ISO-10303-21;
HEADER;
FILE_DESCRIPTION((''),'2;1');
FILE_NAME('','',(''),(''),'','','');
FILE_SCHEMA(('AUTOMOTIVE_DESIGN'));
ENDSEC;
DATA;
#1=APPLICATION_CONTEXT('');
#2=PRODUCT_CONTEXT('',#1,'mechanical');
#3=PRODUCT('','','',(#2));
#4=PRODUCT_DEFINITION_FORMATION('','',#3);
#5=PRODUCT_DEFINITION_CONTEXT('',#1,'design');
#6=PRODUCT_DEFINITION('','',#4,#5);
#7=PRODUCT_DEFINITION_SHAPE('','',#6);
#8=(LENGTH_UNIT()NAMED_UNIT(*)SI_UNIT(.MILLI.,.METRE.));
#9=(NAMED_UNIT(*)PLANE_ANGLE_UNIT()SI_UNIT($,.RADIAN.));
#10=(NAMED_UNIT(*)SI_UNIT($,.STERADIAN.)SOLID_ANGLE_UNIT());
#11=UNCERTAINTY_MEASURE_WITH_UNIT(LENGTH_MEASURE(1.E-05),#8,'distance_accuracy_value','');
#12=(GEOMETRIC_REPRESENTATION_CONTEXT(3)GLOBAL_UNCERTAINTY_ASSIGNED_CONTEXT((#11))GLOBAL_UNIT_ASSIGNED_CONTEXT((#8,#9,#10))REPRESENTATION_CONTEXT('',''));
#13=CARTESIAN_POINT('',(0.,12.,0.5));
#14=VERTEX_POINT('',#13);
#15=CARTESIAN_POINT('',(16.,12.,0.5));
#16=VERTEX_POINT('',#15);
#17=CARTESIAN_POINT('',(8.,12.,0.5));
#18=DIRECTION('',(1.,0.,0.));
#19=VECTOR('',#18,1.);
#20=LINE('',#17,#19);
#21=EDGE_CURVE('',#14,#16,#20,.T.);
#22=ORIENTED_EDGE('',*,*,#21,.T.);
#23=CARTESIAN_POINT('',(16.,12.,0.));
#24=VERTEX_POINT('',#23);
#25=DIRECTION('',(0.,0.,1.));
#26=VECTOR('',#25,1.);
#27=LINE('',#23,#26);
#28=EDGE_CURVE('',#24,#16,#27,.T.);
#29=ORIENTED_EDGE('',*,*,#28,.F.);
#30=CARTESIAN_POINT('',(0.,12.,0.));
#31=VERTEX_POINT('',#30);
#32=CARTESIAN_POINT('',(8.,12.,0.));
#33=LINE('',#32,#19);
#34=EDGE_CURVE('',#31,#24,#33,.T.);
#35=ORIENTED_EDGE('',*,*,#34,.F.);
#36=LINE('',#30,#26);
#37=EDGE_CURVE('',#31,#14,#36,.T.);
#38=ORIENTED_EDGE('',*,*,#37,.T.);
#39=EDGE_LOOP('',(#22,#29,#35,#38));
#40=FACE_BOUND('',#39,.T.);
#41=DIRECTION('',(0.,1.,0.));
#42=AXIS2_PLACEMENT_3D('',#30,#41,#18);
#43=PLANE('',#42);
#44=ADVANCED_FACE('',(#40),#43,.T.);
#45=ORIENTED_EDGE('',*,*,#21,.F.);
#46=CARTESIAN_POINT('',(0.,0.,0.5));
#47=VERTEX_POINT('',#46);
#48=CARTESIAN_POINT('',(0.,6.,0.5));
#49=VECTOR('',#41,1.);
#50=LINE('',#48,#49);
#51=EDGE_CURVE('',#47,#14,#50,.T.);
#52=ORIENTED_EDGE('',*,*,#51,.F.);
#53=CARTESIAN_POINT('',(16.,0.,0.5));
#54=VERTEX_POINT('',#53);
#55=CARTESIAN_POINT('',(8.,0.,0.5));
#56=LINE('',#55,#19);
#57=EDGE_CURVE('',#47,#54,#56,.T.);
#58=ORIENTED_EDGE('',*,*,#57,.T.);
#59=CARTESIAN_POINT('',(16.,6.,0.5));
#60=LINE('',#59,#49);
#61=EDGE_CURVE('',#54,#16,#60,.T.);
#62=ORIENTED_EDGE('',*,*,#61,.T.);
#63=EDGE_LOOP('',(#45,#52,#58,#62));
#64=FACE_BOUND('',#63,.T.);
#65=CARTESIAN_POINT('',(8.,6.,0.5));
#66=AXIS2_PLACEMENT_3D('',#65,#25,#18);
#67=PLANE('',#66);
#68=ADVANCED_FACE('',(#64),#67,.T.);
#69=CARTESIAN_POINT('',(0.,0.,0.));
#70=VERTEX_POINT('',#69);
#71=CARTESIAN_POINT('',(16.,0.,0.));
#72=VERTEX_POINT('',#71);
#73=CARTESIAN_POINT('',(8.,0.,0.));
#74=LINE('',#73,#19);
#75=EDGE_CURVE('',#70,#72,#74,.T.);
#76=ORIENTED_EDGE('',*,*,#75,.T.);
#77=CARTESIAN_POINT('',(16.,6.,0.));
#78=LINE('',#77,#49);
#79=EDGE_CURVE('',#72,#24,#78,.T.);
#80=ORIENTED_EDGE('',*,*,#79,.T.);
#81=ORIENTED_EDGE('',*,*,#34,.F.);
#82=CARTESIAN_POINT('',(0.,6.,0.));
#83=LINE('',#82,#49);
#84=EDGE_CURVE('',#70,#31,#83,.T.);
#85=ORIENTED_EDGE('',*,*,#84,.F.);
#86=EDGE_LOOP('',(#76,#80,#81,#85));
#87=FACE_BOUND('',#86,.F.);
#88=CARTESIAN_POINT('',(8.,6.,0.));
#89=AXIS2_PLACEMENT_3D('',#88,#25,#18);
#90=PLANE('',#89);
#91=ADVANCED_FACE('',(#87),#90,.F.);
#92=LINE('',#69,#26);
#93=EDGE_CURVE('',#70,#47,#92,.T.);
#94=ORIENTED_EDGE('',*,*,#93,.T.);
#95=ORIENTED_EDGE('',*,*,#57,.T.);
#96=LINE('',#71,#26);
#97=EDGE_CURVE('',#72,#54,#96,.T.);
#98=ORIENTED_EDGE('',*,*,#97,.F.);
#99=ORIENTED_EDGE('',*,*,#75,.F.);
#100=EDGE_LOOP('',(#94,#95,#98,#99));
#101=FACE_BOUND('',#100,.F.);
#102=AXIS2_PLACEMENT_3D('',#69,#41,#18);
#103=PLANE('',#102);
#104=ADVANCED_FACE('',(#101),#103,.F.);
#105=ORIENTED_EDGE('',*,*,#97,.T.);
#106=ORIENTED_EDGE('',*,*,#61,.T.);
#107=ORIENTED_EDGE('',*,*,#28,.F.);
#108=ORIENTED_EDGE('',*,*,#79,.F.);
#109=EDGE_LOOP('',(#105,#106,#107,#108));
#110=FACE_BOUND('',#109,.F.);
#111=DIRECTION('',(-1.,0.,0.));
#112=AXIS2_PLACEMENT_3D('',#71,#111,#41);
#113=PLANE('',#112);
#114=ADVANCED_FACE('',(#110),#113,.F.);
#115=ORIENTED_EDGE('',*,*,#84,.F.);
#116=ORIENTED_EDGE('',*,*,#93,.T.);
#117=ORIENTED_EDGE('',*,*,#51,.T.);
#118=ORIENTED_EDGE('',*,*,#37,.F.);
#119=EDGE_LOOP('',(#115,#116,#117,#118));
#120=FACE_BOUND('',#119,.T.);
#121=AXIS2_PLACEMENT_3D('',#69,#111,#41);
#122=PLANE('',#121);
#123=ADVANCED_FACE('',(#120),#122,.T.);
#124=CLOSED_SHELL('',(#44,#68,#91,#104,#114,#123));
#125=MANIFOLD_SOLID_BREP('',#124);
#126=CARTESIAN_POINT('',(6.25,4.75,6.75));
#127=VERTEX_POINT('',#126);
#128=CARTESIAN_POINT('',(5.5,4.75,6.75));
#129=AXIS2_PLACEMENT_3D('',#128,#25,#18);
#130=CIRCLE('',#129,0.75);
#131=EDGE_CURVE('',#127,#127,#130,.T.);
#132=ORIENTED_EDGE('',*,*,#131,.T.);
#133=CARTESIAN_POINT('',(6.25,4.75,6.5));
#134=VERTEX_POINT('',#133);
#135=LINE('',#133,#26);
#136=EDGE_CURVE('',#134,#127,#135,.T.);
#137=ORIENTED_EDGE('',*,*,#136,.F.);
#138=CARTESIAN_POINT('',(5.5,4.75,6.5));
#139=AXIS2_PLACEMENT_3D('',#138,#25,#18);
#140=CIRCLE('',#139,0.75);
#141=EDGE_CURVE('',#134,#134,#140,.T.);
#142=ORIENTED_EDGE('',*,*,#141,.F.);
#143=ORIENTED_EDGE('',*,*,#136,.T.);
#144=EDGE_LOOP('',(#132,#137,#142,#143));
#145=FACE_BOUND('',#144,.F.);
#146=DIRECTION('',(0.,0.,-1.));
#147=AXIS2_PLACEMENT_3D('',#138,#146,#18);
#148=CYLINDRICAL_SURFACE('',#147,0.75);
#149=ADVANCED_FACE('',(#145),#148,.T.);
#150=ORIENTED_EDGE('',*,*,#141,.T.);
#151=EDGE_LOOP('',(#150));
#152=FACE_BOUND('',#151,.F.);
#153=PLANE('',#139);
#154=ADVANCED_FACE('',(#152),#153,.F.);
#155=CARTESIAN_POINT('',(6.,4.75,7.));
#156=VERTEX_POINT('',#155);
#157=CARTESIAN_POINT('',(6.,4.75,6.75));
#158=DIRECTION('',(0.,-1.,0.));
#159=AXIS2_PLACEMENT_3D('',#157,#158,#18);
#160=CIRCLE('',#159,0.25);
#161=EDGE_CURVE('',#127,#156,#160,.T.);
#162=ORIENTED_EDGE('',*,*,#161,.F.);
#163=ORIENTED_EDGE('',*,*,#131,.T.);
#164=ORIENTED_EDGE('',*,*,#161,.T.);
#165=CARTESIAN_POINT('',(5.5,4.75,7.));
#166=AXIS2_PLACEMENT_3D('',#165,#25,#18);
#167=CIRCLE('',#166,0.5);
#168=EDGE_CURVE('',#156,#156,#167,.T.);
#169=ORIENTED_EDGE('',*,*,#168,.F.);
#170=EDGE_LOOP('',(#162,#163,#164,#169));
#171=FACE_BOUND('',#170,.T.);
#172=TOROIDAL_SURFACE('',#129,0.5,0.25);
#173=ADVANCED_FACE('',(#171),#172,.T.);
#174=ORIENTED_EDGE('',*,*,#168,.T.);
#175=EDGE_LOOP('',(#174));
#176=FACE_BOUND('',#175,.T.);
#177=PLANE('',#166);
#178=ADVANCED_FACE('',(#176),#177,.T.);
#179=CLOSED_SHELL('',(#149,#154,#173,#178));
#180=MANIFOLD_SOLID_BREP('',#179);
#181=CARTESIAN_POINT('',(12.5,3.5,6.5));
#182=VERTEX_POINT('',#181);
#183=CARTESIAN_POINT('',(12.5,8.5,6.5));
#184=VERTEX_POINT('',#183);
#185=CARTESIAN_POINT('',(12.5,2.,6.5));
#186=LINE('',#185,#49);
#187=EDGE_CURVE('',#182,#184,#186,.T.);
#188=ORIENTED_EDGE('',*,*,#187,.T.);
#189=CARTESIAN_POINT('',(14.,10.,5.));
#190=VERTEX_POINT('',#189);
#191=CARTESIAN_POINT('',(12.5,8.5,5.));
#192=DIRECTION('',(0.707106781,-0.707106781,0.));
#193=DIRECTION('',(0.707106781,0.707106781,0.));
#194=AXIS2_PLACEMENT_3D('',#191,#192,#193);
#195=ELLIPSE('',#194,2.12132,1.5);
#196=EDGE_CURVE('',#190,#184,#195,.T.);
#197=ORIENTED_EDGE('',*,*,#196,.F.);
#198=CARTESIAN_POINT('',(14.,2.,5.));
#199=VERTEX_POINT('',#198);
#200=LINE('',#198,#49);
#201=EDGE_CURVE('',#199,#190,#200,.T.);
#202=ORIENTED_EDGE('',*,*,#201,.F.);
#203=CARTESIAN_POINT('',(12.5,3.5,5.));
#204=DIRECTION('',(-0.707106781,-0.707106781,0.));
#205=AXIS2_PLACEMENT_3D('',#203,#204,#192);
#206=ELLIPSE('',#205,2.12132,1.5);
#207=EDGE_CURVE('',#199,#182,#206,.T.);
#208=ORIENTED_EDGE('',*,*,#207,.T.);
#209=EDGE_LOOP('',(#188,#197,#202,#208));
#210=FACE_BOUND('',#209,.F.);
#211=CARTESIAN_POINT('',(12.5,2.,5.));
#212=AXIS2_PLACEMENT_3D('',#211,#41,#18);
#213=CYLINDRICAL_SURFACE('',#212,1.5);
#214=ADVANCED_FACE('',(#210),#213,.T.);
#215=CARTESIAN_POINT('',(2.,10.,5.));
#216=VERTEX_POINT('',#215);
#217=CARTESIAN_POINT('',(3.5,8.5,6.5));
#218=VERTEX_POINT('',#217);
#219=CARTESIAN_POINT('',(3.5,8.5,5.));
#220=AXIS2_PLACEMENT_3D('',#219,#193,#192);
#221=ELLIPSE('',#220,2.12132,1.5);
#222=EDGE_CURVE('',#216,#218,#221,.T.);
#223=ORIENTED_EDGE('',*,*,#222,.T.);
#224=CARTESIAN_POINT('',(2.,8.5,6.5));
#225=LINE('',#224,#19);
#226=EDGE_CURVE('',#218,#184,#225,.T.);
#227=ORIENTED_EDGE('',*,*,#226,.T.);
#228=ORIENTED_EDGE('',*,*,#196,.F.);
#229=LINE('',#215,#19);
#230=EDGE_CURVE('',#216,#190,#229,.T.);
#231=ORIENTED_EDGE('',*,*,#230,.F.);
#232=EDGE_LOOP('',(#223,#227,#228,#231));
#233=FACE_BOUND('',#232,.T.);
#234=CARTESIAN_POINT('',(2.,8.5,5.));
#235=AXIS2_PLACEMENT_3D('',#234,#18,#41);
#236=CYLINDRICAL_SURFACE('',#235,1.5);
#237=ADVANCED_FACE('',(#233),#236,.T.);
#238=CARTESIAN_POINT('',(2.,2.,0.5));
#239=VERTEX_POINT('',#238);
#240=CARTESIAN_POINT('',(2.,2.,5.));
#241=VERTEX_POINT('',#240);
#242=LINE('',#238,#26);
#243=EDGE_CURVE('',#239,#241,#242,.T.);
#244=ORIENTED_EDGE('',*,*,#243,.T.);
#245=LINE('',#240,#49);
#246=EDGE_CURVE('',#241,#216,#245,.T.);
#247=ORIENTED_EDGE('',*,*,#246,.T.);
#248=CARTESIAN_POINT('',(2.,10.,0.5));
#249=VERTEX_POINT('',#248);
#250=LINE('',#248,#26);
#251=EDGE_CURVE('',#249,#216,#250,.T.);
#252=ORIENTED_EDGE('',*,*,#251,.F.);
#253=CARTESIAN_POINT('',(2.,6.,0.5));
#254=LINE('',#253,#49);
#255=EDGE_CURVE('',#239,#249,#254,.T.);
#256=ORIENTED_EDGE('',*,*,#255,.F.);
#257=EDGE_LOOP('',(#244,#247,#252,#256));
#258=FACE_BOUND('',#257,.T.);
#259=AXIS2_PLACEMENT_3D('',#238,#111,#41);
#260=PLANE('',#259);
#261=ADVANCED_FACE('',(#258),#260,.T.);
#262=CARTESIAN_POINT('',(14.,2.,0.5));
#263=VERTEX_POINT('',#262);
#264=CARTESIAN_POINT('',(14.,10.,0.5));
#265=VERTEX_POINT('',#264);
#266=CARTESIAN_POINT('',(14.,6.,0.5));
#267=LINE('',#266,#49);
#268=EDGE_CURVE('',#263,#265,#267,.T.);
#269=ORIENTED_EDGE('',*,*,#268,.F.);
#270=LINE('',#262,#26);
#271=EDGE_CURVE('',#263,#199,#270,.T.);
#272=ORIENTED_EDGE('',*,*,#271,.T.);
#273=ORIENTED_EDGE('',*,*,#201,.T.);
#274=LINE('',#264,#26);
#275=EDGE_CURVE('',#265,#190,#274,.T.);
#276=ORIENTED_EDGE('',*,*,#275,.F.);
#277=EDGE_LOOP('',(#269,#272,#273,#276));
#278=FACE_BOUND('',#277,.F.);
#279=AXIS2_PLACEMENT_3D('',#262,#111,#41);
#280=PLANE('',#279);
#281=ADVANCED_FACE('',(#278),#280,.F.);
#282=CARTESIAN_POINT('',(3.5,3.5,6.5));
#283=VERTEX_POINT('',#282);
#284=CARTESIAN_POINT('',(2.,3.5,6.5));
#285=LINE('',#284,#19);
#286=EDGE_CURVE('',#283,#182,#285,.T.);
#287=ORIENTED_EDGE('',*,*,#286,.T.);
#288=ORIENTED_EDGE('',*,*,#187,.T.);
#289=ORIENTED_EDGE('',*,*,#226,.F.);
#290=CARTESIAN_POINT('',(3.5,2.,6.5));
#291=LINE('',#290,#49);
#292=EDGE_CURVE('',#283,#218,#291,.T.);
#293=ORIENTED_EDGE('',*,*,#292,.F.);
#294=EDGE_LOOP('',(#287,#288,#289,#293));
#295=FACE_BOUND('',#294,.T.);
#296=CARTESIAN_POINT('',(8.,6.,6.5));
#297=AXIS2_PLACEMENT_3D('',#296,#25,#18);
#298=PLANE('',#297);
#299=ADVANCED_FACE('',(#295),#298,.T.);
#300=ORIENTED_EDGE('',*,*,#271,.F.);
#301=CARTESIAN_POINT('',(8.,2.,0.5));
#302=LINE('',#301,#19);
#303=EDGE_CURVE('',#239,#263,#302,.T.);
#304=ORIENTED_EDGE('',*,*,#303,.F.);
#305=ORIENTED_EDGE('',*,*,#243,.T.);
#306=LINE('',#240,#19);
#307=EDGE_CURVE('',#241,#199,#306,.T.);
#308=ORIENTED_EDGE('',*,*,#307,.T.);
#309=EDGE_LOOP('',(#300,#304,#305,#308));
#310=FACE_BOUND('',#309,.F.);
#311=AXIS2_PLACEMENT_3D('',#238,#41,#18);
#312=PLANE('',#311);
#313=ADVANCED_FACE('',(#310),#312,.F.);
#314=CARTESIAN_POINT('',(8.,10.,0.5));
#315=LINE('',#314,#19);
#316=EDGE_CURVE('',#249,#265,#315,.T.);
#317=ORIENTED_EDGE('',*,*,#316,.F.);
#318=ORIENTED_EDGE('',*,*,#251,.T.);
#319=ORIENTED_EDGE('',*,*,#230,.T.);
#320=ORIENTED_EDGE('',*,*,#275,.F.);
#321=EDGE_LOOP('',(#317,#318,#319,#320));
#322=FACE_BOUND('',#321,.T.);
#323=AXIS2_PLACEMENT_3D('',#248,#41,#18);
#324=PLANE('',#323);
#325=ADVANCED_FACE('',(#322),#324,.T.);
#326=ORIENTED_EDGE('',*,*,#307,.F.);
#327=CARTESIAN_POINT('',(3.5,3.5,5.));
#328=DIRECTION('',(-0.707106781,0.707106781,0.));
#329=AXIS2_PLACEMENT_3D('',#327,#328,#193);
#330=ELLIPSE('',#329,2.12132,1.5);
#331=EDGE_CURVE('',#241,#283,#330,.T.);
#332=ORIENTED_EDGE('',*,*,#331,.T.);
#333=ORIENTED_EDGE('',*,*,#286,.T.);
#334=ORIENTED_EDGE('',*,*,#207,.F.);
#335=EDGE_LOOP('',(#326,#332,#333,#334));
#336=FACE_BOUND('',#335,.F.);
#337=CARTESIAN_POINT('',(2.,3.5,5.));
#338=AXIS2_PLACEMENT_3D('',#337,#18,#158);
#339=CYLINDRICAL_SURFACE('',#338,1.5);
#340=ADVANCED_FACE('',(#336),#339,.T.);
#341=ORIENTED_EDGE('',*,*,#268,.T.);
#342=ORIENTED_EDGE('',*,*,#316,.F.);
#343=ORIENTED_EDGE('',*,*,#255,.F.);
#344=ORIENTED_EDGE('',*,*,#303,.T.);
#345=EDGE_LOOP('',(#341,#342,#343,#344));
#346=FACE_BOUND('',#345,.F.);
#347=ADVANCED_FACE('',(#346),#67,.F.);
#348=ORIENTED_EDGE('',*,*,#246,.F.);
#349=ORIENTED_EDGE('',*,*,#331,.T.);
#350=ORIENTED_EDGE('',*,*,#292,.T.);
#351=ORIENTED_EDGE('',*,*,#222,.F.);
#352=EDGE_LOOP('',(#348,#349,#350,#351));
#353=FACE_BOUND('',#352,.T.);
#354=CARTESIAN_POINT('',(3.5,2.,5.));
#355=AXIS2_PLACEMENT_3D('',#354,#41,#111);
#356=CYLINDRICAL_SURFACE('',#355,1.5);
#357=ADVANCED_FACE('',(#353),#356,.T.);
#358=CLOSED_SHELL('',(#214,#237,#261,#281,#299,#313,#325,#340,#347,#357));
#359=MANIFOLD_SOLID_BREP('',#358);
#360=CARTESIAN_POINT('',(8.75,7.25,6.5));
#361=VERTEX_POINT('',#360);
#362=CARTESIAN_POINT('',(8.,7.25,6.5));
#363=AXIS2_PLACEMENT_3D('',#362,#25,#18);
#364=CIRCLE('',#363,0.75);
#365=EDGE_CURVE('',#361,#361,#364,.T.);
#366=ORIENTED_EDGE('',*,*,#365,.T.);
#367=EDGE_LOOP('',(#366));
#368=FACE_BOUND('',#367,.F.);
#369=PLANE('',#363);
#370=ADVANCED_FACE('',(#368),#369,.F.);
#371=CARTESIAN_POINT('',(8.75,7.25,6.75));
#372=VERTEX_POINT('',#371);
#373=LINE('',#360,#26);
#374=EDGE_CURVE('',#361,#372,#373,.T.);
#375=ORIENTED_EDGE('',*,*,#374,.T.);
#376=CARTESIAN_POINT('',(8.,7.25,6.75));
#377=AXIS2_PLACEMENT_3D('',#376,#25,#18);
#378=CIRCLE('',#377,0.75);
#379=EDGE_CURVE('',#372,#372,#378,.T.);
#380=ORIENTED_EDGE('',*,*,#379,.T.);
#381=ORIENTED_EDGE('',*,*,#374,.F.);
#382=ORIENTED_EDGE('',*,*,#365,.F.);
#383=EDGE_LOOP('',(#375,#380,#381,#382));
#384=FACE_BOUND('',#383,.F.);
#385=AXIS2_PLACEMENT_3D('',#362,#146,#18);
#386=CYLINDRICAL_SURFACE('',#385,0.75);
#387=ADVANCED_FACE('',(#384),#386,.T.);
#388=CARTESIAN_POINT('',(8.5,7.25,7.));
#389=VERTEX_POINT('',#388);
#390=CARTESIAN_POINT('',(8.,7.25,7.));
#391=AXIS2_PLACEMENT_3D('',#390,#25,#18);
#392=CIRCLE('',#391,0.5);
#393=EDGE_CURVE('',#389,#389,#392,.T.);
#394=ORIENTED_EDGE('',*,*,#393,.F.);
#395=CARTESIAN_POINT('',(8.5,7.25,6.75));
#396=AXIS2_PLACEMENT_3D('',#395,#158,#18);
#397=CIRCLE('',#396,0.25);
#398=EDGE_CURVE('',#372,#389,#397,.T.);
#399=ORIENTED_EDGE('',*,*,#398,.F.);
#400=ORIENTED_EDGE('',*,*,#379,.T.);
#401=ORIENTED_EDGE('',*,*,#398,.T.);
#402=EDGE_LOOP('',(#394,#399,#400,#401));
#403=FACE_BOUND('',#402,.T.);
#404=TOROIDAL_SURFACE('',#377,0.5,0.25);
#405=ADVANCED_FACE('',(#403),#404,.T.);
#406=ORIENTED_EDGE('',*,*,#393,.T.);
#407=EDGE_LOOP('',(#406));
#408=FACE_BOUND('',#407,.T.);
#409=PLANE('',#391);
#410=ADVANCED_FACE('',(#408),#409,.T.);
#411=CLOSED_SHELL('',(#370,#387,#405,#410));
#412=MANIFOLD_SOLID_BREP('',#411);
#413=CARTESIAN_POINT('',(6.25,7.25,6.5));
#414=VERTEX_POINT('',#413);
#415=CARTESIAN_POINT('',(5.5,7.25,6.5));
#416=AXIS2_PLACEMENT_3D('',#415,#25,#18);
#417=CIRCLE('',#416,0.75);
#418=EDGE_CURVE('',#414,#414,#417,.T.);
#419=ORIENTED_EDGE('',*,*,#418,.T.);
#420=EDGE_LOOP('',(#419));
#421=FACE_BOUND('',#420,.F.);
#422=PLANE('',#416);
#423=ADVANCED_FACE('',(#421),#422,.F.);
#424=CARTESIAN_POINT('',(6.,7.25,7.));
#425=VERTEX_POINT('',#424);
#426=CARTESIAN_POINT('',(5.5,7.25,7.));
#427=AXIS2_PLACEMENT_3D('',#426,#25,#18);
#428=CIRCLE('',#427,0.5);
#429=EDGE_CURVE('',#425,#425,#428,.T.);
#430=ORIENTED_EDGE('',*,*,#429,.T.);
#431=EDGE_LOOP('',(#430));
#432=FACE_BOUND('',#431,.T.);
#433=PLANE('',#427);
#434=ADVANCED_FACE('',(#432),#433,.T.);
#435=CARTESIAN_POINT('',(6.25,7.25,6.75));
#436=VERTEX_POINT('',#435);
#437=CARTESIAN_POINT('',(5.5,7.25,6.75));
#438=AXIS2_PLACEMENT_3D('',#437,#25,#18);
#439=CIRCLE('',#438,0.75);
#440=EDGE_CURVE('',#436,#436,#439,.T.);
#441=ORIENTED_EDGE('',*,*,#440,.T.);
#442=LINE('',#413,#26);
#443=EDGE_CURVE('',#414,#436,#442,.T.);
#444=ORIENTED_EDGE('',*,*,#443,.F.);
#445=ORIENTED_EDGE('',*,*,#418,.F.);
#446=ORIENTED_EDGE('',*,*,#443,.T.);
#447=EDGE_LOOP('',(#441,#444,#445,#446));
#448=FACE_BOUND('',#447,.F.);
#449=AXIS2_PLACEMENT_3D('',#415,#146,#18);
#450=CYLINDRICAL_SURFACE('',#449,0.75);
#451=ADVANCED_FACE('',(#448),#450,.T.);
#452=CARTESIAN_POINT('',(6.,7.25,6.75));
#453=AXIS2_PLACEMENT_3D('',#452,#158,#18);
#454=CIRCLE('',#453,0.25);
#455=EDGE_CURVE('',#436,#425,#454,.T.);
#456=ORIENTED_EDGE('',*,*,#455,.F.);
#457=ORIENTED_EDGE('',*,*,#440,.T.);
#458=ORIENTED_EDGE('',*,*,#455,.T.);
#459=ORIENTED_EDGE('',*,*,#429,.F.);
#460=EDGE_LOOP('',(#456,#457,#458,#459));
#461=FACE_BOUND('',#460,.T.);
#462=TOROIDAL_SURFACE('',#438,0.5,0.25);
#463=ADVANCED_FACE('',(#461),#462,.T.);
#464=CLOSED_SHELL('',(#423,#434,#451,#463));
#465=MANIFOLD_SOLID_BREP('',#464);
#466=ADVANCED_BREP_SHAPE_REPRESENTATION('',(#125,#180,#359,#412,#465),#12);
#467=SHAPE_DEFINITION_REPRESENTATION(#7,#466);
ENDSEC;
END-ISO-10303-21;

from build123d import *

# Parameters (mm, degrees)
SKETCH_W     = 16
SKETCH_H     = 12
PAD_DEPTH    = 0.5
SKETCH001_W  = 12
SKETCH001_H  = 8
PAD001_DEPTH = 6
FILLET_R     = 1.5
SKETCH002_R  = 0.75
PAD002_DEPTH = 0.5
FILLET001_R  = 0.25
SKETCH004_R  = 0.75
PAD004_DEPTH = 0.5
FILLET003_R  = 0.25
SKETCH005_R  = 0.75
PAD005_DEPTH = 0.5
FILLET004_R  = 0.25


with BuildPart() as pad:
    # Sketch → Pad (new body)
    with BuildSketch(Plane.XY):
        with Locations((8, 6)):
            Rectangle(SKETCH_W, SKETCH_H)
    extrude(amount=PAD_DEPTH)


with BuildPart() as fillet_body:
    # Sketch001 → Pad001 (new body)
    with BuildSketch(Plane.XY.offset(0.5)):
        with Locations((8, 6)):
            Rectangle(SKETCH001_W, SKETCH001_H)
    extrude(amount=PAD001_DEPTH)

    # Fillet
    fillet_edges = [fillet_body.edges().sort_by_distance(p)[0] for p in [
        (8, 2, 6.5),
        (14, 6, 6.5),
        (8, 10, 6.5),
        (2, 6, 6.5),
    ]]
    fillet(fillet_edges, radius=FILLET_R)


with BuildPart() as fillet001:
    # Sketch002 → Pad002 (new body)
    with BuildSketch(Plane.XY.offset(6.5)):
        with Locations((5.5, 4.75)):
            Circle(SKETCH002_R)
    extrude(amount=PAD002_DEPTH)

    # Fillet001
    fillet001_edges = [fillet001.edges().sort_by_distance(p)[0] for p in [
        (4.75, 4.75, 7),
    ]]
    fillet(fillet001_edges, radius=FILLET001_R)


with BuildPart() as fillet003:
    # Sketch004 → Pad004 (new body)
    with BuildSketch(Plane.XY.offset(6.5)):
        with Locations((5.5, 7.25)):
            Circle(SKETCH004_R)
    extrude(amount=PAD004_DEPTH)

    # Fillet003
    fillet003_edges = [fillet003.edges().sort_by_distance(p)[0] for p in [
        (4.75, 7.25, 7),
    ]]
    fillet(fillet003_edges, radius=FILLET003_R)


with BuildPart() as fillet004:
    # Sketch005 → Pad005 (new body)
    with BuildSketch(Plane.XY.offset(6.5)):
        with Locations((8, 7.25)):
            Circle(SKETCH005_R)
    extrude(amount=PAD005_DEPTH)

    # Fillet004
    fillet004_edges = [fillet004.edges().sort_by_distance(p)[0] for p in [
        (7.25, 7.25, 7),
    ]]
    fillet(fillet004_edges, radius=FILLET004_R)


solid = Compound([pad.part, fillet_body.part, fillet001.part, fillet003.part, fillet004.part])
